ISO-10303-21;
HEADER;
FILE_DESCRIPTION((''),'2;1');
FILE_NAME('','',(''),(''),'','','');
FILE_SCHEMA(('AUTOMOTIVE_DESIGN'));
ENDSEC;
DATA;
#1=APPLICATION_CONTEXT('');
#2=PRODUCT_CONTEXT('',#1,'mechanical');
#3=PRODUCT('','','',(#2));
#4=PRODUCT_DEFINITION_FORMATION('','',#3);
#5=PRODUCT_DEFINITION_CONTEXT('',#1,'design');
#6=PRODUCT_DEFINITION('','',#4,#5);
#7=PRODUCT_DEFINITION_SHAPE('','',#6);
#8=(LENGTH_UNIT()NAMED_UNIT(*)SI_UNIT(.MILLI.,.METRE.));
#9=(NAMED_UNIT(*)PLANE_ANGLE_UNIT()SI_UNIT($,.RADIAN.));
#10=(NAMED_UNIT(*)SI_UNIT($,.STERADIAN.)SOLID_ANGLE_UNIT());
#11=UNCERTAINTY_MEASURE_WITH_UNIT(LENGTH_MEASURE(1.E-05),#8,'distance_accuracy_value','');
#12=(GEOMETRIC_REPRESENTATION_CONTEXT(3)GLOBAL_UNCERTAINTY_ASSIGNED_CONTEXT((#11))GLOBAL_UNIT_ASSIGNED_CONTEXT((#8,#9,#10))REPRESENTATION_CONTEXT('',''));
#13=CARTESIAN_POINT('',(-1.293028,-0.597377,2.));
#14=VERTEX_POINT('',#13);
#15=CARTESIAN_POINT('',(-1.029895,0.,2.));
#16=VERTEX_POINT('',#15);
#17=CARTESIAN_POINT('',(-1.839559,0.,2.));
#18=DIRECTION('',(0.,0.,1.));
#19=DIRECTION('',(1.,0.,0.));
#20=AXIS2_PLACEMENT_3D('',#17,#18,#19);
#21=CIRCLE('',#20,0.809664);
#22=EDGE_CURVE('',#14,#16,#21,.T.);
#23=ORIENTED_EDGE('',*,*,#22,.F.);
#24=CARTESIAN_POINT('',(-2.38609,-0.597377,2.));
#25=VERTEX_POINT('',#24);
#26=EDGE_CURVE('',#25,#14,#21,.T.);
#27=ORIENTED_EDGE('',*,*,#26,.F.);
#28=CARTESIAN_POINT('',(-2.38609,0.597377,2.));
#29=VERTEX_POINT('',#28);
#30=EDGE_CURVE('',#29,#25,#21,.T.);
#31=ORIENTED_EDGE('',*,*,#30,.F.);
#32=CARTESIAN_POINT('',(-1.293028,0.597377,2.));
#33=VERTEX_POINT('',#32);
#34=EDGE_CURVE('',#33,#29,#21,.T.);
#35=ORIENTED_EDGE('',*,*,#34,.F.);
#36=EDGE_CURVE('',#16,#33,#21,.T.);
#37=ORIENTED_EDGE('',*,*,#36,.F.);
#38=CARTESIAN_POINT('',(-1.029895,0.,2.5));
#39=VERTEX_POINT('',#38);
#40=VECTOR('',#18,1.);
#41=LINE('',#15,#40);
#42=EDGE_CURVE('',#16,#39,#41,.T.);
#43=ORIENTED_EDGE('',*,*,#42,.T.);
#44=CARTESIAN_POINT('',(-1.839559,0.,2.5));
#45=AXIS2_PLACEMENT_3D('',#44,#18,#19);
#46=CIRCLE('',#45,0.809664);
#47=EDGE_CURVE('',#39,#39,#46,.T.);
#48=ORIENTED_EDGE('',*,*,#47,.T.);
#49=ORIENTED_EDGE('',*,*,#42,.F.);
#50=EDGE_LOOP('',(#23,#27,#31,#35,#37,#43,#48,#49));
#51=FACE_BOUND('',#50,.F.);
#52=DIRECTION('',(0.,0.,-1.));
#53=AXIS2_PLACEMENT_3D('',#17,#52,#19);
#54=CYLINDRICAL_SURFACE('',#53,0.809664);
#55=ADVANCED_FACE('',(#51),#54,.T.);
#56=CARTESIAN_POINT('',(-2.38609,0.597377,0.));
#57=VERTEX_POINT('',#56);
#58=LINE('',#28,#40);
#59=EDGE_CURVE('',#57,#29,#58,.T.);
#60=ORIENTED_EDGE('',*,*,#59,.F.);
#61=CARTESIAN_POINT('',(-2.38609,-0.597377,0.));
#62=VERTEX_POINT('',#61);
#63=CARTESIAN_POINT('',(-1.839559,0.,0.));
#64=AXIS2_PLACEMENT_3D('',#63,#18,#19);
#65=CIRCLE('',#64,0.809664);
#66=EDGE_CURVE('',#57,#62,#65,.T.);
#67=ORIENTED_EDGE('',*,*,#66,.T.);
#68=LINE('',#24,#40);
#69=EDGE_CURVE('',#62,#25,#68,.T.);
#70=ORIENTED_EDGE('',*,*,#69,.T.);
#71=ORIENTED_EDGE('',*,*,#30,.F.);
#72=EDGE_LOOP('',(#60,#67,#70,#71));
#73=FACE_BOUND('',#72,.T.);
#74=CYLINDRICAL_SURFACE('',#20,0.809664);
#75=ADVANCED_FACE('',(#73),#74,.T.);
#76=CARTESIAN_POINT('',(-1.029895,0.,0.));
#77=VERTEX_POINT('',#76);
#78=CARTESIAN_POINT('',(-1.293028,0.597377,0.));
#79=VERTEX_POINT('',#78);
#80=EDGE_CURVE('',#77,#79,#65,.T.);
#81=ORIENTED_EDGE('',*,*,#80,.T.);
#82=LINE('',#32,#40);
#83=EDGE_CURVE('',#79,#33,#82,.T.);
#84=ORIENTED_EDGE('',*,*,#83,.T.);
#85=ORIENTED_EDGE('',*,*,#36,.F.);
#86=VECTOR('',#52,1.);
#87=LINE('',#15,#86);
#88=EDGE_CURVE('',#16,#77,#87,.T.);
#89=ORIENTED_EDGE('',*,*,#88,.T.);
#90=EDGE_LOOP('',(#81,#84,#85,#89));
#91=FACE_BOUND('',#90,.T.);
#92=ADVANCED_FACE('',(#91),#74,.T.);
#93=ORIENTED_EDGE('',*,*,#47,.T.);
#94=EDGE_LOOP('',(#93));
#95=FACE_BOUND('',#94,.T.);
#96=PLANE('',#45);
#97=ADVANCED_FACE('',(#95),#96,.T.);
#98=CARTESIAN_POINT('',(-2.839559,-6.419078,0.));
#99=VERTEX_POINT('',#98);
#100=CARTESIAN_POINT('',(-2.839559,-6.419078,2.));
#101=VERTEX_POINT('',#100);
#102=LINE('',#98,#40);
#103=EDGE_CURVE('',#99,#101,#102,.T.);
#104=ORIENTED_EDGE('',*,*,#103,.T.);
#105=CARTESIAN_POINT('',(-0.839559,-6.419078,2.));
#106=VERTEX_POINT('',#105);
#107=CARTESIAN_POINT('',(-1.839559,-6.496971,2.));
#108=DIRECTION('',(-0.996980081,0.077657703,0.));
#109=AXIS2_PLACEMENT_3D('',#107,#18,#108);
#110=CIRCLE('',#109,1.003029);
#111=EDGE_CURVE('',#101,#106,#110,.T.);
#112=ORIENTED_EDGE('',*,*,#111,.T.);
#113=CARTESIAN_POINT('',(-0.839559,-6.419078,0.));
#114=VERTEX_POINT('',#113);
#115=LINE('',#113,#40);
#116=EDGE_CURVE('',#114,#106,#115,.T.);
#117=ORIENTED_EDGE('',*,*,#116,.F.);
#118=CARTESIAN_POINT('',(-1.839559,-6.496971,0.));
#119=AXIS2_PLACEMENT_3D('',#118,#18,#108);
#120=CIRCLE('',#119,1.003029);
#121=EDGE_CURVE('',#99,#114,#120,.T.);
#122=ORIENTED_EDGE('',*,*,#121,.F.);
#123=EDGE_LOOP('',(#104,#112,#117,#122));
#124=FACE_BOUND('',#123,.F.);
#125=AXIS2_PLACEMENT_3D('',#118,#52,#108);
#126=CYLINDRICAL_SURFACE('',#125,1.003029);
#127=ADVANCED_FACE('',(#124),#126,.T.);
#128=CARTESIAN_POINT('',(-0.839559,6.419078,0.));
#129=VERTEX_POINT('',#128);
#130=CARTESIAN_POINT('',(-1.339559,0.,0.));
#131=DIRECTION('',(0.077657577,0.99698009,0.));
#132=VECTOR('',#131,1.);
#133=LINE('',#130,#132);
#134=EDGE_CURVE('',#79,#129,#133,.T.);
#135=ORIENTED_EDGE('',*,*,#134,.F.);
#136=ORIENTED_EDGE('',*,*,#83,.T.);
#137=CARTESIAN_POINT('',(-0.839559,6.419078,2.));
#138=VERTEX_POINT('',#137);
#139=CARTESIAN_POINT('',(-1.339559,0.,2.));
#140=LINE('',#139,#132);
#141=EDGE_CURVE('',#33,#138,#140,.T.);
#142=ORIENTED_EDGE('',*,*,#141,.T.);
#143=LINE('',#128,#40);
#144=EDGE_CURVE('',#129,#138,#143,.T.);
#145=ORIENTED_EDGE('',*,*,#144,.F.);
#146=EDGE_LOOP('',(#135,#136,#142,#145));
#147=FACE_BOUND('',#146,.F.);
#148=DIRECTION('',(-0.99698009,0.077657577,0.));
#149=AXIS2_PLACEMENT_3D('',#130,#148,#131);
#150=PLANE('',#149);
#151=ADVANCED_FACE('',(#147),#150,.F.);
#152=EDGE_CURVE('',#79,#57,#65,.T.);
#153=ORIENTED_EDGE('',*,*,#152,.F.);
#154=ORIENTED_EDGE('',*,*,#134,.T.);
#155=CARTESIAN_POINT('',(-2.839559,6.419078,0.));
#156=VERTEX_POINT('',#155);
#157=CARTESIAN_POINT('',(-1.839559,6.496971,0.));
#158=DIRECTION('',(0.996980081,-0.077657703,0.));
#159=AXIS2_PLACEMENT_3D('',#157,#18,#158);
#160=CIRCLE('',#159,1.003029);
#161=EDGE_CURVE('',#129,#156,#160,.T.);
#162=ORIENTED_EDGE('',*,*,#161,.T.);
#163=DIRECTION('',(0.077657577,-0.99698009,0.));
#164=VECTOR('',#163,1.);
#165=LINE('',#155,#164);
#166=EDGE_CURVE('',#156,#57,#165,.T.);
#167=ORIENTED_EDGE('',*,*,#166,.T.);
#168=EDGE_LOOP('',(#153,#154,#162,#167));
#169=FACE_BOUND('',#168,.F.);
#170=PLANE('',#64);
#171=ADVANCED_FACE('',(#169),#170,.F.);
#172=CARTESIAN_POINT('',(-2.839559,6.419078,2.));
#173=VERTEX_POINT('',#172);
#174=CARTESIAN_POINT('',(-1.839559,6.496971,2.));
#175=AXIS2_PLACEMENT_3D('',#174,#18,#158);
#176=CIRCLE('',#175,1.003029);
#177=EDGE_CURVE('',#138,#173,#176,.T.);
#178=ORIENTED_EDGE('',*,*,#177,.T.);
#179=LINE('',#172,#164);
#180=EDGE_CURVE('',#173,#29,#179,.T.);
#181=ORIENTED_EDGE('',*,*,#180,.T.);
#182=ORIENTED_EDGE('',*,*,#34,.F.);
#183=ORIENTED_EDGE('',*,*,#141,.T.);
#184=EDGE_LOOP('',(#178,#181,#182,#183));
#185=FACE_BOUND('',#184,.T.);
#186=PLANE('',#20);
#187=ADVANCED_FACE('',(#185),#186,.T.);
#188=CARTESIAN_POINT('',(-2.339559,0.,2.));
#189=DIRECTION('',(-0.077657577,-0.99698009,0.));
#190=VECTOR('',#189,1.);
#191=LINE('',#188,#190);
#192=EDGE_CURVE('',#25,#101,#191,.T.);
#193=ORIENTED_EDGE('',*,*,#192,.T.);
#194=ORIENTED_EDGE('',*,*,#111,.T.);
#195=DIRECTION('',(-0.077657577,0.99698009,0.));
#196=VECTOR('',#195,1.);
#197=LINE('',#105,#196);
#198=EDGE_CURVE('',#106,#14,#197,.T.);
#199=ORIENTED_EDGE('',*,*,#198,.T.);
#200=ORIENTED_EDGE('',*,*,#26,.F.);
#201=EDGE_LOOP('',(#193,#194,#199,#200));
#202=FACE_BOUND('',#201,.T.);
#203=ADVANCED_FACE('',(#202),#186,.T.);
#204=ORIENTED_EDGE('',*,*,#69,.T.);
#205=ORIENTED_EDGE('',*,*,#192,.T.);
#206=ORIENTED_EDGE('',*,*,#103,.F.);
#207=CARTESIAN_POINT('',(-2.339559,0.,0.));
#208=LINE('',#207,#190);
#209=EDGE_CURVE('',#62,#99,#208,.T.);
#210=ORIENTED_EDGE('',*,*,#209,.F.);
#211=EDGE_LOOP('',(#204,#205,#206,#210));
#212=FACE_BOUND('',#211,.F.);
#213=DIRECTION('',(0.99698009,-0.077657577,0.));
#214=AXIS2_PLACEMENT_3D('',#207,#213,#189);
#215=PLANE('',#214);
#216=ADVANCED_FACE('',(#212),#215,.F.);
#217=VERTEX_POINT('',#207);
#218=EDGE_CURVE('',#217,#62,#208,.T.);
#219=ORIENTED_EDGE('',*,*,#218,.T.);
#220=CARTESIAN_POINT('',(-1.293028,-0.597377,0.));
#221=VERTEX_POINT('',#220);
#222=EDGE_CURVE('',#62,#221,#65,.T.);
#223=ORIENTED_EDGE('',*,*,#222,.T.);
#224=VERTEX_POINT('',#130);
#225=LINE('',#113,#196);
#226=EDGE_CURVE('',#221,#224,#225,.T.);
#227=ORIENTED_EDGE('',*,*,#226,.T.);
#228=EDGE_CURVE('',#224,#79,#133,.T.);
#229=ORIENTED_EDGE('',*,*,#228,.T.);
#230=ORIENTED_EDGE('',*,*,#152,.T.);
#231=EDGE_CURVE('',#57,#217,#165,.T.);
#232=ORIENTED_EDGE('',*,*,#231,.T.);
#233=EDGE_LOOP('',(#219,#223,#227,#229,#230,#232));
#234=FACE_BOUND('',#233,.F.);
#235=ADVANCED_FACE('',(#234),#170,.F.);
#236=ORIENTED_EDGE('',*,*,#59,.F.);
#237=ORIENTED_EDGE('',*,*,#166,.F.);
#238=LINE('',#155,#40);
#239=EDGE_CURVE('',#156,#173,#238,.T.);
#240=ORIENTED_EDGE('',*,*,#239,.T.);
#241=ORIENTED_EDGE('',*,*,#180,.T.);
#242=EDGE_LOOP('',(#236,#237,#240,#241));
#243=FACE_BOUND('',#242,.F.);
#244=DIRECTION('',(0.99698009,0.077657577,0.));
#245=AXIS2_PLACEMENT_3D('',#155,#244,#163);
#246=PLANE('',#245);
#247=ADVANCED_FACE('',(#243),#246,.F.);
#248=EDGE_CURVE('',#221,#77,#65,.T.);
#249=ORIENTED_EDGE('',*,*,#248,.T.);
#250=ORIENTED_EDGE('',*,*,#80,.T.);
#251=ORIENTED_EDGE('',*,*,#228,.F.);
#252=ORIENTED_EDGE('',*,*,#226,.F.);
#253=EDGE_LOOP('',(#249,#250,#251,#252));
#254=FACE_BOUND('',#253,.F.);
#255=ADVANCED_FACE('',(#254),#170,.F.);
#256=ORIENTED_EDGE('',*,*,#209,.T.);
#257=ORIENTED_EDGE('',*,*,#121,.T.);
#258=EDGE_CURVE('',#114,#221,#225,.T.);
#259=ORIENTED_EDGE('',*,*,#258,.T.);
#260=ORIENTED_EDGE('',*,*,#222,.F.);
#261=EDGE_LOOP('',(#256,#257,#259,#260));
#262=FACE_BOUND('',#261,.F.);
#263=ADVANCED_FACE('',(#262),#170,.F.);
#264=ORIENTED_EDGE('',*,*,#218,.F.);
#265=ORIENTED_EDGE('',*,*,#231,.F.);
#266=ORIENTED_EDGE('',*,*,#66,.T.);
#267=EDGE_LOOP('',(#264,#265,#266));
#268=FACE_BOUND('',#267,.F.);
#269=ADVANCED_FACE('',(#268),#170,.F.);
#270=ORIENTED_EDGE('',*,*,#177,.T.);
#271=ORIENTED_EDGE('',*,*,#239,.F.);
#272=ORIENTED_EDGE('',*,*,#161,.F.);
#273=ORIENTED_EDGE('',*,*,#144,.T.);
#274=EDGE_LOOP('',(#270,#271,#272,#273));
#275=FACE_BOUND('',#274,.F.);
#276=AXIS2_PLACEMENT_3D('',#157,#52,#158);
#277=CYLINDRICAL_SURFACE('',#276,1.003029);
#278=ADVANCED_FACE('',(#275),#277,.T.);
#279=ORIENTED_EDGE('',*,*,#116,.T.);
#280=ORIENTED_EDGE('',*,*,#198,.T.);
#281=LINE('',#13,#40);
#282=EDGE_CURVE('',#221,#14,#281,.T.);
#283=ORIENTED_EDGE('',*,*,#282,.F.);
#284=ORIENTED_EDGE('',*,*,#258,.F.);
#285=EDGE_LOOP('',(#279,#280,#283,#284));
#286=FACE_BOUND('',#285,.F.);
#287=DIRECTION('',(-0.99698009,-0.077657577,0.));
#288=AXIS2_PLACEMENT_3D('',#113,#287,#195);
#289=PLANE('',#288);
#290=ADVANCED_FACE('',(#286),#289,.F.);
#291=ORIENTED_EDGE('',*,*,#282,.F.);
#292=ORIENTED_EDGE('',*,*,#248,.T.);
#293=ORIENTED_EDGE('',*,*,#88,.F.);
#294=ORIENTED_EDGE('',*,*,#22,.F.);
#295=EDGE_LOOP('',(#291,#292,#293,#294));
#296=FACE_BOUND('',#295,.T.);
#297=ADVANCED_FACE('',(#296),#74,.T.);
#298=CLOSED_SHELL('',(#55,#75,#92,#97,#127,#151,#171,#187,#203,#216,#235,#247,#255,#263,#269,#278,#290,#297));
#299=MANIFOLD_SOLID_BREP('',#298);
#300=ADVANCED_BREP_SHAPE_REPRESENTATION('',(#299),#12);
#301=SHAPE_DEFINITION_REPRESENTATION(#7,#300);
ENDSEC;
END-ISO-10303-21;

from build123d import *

# Parameters (mm, degrees)
F1_DEPTH      = 2
F2_R          = 0.809664
F3_DEPTH      = 0.5
F3_DEPTH_BACK = 2


with BuildPart() as f1:
    # F0 (on Top) → F1 (new body)
    with BuildSketch(Plane.XY):
        with BuildLine():
            Line((-2.839559, 6.419078), (-2.339559, 0))
            Line((-2.339559, 0), (-2.839559, -6.419078))
            ThreePointArc((-2.839559, -6.419078), (-1.839559, -7.5), (-0.839559, -6.419078))
            Line((-0.839559, -6.419078), (-1.339559, 0))
            Line((-1.339559, 0), (-0.839559, 6.419078))
            ThreePointArc((-0.839559, 6.419078), (-1.839559, 7.5), (-2.839559, 6.419078))
        make_face()
    extrude(amount=F1_DEPTH)

    # F2 (on face) → F3 (join, two sides)
    with BuildSketch(Plane.XY.offset(2)) as f3_sk:
        with Locations((-1.839559, 0)):
            Circle(F2_R)
    extrude(amount=F3_DEPTH)
    extrude(f3_sk.sketch, amount=-F3_DEPTH_BACK)


solid = f1.part
